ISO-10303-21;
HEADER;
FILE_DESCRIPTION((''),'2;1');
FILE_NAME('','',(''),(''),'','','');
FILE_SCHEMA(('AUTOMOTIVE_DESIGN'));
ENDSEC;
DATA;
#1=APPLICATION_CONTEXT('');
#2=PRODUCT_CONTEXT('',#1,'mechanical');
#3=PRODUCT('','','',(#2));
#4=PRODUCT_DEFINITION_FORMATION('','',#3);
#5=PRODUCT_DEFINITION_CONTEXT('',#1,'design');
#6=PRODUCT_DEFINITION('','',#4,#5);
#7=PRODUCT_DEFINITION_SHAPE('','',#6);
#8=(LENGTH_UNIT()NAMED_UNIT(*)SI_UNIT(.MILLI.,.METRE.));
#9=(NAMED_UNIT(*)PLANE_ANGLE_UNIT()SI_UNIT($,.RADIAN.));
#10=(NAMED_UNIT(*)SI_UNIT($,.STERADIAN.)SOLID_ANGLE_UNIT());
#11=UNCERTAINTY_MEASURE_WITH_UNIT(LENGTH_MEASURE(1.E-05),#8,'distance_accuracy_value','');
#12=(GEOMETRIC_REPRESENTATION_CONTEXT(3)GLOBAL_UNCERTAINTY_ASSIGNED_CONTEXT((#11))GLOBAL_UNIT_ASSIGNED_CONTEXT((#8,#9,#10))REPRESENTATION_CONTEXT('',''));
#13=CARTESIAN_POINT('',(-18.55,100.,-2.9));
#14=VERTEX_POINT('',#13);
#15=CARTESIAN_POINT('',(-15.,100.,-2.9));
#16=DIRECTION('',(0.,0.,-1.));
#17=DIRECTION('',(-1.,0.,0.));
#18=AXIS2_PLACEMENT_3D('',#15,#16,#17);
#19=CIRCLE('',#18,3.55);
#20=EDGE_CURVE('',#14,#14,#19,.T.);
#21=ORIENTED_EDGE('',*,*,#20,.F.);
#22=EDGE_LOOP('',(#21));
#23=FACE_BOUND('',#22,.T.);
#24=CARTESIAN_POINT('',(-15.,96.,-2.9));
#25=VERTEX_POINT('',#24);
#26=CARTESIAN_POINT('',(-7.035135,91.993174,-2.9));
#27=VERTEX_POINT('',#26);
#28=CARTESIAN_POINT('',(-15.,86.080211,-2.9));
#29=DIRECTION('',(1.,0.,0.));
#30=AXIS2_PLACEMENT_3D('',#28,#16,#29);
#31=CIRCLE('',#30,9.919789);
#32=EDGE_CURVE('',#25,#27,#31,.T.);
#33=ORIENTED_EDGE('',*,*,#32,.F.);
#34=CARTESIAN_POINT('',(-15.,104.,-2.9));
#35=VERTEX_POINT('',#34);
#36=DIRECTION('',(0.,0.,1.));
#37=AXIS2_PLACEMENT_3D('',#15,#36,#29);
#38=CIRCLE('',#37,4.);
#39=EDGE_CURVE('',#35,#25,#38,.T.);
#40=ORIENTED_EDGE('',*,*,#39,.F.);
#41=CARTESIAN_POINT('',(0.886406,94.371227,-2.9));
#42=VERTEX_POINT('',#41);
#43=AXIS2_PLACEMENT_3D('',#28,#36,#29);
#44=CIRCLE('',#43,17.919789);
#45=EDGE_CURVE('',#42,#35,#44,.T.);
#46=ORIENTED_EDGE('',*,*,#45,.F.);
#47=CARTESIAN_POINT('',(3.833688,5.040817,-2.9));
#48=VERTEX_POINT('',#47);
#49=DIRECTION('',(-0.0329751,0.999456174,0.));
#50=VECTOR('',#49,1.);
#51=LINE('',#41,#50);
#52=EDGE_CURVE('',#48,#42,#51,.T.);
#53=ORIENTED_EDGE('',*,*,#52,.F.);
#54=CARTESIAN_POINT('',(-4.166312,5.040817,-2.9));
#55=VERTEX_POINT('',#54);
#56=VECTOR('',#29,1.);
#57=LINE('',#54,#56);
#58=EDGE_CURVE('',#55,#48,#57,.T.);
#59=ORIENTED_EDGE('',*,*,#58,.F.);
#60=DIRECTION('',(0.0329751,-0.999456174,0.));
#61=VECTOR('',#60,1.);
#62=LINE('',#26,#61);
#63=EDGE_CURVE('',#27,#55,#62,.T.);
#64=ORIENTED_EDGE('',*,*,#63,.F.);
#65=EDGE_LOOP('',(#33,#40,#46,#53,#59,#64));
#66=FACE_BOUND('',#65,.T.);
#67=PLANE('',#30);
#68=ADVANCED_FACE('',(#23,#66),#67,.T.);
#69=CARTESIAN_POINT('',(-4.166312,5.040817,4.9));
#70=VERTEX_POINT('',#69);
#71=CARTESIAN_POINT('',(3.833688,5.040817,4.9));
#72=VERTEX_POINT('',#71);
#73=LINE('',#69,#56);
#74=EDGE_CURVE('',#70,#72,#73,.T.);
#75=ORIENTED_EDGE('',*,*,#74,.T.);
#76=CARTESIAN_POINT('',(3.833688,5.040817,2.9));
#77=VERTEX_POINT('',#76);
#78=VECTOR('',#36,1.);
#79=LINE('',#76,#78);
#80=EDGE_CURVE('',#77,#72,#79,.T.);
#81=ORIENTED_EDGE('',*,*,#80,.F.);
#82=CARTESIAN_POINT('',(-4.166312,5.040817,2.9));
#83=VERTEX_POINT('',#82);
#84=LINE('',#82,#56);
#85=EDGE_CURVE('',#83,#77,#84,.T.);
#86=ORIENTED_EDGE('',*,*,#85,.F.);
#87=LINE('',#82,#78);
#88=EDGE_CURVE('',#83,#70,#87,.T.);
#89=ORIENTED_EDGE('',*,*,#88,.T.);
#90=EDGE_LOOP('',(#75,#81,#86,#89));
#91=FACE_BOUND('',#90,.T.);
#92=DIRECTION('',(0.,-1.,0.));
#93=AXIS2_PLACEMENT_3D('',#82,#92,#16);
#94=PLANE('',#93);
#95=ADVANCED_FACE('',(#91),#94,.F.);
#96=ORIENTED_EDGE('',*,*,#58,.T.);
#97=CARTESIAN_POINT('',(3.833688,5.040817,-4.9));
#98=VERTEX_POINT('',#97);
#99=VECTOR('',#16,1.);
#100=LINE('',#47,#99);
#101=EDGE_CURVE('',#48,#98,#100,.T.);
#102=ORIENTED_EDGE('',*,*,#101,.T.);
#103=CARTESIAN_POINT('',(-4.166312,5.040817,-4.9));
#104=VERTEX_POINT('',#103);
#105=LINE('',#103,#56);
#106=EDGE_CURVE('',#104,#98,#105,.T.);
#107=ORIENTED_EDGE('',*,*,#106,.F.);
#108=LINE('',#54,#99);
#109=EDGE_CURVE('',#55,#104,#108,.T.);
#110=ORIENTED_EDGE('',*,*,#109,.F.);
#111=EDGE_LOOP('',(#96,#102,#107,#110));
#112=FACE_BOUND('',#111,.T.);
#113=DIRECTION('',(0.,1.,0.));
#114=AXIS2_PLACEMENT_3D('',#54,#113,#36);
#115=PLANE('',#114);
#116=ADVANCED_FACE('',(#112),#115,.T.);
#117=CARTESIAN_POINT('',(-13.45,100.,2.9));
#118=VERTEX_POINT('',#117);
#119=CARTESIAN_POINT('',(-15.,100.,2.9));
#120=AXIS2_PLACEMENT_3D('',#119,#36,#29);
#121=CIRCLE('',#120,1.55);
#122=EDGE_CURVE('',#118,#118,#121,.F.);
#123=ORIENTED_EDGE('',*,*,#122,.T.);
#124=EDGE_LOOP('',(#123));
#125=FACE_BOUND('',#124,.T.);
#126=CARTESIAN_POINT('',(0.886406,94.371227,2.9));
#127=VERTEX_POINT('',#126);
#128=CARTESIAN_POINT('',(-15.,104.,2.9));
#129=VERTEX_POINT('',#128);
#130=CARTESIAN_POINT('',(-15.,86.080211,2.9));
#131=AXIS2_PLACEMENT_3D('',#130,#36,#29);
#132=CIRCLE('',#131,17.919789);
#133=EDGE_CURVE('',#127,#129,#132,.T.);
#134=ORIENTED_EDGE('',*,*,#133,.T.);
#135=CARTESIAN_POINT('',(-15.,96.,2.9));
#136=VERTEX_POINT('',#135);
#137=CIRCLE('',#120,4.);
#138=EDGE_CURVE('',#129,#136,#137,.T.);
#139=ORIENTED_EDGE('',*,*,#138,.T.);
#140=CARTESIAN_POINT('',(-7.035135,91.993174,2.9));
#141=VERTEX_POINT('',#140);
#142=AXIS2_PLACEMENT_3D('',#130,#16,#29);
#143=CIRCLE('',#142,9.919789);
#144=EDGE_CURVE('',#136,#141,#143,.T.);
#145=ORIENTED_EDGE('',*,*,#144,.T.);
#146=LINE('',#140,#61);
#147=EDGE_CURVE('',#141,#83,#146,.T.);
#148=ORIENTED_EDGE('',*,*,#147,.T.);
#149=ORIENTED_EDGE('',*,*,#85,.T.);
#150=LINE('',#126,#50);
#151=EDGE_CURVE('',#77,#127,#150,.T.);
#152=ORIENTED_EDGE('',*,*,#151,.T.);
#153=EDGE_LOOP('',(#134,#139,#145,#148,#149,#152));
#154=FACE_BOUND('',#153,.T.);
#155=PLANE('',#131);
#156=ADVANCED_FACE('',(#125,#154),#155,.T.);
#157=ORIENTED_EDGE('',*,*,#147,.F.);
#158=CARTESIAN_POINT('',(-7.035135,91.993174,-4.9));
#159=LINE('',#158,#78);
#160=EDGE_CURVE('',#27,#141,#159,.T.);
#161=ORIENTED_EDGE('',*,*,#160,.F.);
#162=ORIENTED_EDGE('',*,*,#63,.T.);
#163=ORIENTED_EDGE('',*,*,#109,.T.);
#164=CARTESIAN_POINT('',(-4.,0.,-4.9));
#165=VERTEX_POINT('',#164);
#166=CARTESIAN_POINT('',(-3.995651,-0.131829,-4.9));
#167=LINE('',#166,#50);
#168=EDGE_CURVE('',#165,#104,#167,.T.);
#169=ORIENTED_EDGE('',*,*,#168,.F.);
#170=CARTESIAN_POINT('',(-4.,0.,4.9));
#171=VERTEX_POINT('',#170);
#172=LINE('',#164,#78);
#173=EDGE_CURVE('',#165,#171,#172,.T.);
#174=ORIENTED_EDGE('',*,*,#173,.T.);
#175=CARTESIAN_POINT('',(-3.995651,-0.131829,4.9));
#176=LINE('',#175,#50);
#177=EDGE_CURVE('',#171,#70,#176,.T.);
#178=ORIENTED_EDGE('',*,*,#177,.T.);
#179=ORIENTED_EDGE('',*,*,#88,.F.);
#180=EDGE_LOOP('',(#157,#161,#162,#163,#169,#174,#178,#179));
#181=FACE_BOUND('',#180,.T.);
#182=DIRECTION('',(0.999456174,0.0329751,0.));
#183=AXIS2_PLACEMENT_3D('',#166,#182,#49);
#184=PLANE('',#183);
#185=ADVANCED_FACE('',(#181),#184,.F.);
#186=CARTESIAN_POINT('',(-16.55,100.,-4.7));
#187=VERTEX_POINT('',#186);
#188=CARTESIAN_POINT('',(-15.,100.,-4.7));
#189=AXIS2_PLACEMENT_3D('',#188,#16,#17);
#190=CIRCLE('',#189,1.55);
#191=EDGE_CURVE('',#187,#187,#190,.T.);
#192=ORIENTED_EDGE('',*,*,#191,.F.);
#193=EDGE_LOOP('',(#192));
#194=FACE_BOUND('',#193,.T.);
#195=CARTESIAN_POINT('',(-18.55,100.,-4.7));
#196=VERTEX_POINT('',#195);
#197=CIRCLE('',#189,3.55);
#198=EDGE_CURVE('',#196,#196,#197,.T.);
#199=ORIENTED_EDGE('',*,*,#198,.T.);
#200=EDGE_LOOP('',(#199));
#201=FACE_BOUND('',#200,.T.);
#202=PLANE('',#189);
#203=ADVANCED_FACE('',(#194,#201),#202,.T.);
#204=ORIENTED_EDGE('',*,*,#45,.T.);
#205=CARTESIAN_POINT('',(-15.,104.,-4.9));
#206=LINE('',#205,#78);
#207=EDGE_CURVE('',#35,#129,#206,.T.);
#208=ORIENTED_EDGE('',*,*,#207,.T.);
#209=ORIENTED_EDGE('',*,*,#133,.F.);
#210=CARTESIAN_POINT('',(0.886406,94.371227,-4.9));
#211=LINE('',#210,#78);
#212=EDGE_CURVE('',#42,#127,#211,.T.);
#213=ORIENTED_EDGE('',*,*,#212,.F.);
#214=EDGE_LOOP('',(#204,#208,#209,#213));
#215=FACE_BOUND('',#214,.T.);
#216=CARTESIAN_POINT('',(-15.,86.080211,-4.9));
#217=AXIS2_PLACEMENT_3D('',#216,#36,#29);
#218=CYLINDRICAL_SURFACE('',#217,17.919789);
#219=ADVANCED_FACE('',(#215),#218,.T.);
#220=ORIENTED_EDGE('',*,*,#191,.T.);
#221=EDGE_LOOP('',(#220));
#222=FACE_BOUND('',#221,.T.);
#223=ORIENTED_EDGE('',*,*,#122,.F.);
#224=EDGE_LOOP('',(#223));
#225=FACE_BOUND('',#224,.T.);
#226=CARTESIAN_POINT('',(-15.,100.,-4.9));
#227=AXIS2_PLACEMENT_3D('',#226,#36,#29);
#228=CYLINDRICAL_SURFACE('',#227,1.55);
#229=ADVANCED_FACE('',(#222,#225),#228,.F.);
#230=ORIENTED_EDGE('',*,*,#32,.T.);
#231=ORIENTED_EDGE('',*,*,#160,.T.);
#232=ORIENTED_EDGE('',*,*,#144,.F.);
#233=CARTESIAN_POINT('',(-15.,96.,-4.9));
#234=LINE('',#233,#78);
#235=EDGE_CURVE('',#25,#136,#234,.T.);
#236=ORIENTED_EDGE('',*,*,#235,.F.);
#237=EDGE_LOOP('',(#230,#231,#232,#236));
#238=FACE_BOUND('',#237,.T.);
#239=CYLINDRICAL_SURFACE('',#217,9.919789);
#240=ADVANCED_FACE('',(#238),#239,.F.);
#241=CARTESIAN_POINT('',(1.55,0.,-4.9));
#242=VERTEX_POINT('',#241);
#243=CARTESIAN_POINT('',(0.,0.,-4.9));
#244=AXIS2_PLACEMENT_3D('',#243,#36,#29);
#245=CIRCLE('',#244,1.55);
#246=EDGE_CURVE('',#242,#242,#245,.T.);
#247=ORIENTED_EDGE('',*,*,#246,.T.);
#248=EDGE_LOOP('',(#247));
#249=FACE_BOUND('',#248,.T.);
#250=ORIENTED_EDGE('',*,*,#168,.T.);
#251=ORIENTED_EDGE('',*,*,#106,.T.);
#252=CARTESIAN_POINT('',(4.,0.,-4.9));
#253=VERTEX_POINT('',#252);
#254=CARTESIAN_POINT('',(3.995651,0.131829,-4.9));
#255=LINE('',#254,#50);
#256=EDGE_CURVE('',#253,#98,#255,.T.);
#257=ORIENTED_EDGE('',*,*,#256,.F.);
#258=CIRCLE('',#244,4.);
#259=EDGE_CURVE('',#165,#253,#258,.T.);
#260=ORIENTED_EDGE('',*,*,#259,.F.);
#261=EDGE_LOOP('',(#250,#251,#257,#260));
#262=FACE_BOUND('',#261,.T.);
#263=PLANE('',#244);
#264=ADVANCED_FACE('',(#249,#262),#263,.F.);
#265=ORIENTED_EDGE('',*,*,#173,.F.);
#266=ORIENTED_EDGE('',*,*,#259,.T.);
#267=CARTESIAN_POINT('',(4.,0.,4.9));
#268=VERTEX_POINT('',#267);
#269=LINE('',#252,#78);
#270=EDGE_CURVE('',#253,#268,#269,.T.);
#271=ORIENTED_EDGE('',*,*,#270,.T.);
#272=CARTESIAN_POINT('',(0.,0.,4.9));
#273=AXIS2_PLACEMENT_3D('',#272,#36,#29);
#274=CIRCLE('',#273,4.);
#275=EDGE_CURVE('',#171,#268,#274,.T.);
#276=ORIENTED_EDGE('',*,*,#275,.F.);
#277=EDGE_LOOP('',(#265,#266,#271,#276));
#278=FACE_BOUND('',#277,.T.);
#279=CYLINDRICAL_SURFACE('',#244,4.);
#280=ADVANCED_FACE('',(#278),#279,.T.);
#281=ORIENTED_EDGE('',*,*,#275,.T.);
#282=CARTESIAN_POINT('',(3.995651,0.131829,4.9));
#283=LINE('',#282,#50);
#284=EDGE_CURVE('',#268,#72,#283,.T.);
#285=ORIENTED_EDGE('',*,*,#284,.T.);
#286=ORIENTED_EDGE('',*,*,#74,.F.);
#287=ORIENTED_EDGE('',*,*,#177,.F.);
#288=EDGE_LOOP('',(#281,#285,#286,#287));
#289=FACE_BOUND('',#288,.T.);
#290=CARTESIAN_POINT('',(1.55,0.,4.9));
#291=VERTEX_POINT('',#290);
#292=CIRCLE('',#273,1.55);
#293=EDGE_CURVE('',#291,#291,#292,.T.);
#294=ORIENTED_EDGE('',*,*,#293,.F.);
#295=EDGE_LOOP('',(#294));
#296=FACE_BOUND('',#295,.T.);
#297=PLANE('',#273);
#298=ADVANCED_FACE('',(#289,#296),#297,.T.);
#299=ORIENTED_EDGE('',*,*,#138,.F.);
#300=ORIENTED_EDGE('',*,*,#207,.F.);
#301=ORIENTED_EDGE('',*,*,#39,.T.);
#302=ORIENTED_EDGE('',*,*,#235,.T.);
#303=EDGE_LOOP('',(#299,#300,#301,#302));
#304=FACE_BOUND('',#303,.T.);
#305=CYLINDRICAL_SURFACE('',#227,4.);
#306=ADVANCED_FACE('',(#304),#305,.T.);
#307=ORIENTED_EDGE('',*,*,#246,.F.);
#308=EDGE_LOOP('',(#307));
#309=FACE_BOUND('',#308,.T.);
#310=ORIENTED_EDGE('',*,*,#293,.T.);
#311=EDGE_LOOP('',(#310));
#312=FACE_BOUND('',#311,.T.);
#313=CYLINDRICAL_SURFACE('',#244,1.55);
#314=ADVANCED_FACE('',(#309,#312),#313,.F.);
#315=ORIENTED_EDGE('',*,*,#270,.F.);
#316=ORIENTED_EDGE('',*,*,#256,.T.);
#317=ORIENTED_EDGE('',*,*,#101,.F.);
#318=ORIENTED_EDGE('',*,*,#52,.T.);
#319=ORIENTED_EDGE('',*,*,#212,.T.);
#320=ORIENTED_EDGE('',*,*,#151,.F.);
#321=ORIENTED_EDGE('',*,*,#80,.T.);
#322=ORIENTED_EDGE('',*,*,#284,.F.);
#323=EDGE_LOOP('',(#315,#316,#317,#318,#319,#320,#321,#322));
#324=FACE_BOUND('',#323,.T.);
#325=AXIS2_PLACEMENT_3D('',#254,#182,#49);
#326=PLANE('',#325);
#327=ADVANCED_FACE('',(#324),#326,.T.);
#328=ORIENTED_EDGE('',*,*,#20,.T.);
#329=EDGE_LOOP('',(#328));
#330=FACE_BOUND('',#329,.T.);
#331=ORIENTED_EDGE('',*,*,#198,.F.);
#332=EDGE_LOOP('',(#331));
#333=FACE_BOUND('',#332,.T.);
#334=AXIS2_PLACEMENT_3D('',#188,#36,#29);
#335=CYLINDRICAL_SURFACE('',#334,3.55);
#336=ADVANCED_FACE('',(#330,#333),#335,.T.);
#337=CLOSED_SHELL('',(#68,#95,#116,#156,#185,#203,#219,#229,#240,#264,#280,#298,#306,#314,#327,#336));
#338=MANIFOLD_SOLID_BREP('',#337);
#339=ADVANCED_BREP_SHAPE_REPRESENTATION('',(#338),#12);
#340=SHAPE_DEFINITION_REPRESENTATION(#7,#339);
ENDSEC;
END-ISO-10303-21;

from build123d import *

# Parameters (mm, degrees)
BOSS_EXTRU_1_DEPTH      = 4.9
BOSS_EXTRU_1_DEPTH_BACK = 4.9
ESQUISSE1_R             = 1.55
CUT_EXTRUDE1_START      = -2
CUT_EXTRUDE1_DEPTH      = 2
BOSS_EXTRUDE1_START     = 1.8
SKETCH2_R               = 3.55
SKETCH2_R_2             = 1.55
BOSS_EXTRUDE1_DEPTH     = 1.8


with BuildPart() as part:
    # Esquisse1 → Boss.-Extru.1 (new, two sides: drawn at the far end of the back side and taken through both)
    with BuildSketch(Plane.XY.offset(-BOSS_EXTRU_1_DEPTH_BACK)):
        with BuildLine():
            Line((-7.035134666, 91.99317437), (-4, 0))
            ThreePointArc((-4, 0), (0, -4), (4, 0))
            Line((4, 0), (0.886406153, 94.37122672))
            ThreePointArc((0.886406153, 94.37122672), (-5.711685092, 101.40489844), (-15, 104))
            ThreePointArc((-15, 104), (-19, 100), (-15, 96))
            ThreePointArc((-15, 96), (-10.542037141, 94.941857654), (-7.035134666, 91.99317437))
        make_face()
        Circle(ESQUISSE1_R, mode=Mode.SUBTRACT)
        with Locations((-15, 100)):
            Circle(ESQUISSE1_R, mode=Mode.SUBTRACT)
    extrude(amount=BOSS_EXTRU_1_DEPTH + BOSS_EXTRU_1_DEPTH_BACK)

    # Sketch1 → Cut-Extrude1 (cut)
    with BuildSketch(Plane.XY.offset(4.9).offset(CUT_EXTRUDE1_START)):
        with BuildLine():
            Line((-7.035134666, 91.99317437), (-4.166311888, 5.040817029))
            Line((-4.166311888, 5.040817029), (3.833688112, 5.040817029))
            Line((3.833688112, 5.040817029), (0.886406153, 94.37122672))
            ThreePointArc((0.886406153, 94.37122672), (-5.711685092, 101.40489844), (-15, 104))
            ThreePointArc((-15, 104), (-19, 100), (-15, 96))
            ThreePointArc((-15, 96), (-10.542037141, 94.941857654), (-7.035134666, 91.99317437))
        make_face()
    cut_extrude1 = extrude(amount=CUT_EXTRUDE1_DEPTH, mode=Mode.SUBTRACT)

    # Mirror1: Cut-Extrude1 across plane
    add(cut_extrude1.mirror(Plane.XY), mode=Mode.SUBTRACT)

    # Sketch2 → Boss-Extrude1 (add)
    with BuildSketch(Plane(origin=(0, 0, -2.9), x_dir=(-1, 0, 0), z_dir=(0, 0, -1)).offset(BOSS_EXTRUDE1_START)):
        with Locations((15, 100)):
            Circle(SKETCH2_R)
        with Locations((15, 100)):
            Circle(SKETCH2_R_2, mode=Mode.SUBTRACT)
    extrude(amount=-BOSS_EXTRUDE1_DEPTH)


solid = part.part
